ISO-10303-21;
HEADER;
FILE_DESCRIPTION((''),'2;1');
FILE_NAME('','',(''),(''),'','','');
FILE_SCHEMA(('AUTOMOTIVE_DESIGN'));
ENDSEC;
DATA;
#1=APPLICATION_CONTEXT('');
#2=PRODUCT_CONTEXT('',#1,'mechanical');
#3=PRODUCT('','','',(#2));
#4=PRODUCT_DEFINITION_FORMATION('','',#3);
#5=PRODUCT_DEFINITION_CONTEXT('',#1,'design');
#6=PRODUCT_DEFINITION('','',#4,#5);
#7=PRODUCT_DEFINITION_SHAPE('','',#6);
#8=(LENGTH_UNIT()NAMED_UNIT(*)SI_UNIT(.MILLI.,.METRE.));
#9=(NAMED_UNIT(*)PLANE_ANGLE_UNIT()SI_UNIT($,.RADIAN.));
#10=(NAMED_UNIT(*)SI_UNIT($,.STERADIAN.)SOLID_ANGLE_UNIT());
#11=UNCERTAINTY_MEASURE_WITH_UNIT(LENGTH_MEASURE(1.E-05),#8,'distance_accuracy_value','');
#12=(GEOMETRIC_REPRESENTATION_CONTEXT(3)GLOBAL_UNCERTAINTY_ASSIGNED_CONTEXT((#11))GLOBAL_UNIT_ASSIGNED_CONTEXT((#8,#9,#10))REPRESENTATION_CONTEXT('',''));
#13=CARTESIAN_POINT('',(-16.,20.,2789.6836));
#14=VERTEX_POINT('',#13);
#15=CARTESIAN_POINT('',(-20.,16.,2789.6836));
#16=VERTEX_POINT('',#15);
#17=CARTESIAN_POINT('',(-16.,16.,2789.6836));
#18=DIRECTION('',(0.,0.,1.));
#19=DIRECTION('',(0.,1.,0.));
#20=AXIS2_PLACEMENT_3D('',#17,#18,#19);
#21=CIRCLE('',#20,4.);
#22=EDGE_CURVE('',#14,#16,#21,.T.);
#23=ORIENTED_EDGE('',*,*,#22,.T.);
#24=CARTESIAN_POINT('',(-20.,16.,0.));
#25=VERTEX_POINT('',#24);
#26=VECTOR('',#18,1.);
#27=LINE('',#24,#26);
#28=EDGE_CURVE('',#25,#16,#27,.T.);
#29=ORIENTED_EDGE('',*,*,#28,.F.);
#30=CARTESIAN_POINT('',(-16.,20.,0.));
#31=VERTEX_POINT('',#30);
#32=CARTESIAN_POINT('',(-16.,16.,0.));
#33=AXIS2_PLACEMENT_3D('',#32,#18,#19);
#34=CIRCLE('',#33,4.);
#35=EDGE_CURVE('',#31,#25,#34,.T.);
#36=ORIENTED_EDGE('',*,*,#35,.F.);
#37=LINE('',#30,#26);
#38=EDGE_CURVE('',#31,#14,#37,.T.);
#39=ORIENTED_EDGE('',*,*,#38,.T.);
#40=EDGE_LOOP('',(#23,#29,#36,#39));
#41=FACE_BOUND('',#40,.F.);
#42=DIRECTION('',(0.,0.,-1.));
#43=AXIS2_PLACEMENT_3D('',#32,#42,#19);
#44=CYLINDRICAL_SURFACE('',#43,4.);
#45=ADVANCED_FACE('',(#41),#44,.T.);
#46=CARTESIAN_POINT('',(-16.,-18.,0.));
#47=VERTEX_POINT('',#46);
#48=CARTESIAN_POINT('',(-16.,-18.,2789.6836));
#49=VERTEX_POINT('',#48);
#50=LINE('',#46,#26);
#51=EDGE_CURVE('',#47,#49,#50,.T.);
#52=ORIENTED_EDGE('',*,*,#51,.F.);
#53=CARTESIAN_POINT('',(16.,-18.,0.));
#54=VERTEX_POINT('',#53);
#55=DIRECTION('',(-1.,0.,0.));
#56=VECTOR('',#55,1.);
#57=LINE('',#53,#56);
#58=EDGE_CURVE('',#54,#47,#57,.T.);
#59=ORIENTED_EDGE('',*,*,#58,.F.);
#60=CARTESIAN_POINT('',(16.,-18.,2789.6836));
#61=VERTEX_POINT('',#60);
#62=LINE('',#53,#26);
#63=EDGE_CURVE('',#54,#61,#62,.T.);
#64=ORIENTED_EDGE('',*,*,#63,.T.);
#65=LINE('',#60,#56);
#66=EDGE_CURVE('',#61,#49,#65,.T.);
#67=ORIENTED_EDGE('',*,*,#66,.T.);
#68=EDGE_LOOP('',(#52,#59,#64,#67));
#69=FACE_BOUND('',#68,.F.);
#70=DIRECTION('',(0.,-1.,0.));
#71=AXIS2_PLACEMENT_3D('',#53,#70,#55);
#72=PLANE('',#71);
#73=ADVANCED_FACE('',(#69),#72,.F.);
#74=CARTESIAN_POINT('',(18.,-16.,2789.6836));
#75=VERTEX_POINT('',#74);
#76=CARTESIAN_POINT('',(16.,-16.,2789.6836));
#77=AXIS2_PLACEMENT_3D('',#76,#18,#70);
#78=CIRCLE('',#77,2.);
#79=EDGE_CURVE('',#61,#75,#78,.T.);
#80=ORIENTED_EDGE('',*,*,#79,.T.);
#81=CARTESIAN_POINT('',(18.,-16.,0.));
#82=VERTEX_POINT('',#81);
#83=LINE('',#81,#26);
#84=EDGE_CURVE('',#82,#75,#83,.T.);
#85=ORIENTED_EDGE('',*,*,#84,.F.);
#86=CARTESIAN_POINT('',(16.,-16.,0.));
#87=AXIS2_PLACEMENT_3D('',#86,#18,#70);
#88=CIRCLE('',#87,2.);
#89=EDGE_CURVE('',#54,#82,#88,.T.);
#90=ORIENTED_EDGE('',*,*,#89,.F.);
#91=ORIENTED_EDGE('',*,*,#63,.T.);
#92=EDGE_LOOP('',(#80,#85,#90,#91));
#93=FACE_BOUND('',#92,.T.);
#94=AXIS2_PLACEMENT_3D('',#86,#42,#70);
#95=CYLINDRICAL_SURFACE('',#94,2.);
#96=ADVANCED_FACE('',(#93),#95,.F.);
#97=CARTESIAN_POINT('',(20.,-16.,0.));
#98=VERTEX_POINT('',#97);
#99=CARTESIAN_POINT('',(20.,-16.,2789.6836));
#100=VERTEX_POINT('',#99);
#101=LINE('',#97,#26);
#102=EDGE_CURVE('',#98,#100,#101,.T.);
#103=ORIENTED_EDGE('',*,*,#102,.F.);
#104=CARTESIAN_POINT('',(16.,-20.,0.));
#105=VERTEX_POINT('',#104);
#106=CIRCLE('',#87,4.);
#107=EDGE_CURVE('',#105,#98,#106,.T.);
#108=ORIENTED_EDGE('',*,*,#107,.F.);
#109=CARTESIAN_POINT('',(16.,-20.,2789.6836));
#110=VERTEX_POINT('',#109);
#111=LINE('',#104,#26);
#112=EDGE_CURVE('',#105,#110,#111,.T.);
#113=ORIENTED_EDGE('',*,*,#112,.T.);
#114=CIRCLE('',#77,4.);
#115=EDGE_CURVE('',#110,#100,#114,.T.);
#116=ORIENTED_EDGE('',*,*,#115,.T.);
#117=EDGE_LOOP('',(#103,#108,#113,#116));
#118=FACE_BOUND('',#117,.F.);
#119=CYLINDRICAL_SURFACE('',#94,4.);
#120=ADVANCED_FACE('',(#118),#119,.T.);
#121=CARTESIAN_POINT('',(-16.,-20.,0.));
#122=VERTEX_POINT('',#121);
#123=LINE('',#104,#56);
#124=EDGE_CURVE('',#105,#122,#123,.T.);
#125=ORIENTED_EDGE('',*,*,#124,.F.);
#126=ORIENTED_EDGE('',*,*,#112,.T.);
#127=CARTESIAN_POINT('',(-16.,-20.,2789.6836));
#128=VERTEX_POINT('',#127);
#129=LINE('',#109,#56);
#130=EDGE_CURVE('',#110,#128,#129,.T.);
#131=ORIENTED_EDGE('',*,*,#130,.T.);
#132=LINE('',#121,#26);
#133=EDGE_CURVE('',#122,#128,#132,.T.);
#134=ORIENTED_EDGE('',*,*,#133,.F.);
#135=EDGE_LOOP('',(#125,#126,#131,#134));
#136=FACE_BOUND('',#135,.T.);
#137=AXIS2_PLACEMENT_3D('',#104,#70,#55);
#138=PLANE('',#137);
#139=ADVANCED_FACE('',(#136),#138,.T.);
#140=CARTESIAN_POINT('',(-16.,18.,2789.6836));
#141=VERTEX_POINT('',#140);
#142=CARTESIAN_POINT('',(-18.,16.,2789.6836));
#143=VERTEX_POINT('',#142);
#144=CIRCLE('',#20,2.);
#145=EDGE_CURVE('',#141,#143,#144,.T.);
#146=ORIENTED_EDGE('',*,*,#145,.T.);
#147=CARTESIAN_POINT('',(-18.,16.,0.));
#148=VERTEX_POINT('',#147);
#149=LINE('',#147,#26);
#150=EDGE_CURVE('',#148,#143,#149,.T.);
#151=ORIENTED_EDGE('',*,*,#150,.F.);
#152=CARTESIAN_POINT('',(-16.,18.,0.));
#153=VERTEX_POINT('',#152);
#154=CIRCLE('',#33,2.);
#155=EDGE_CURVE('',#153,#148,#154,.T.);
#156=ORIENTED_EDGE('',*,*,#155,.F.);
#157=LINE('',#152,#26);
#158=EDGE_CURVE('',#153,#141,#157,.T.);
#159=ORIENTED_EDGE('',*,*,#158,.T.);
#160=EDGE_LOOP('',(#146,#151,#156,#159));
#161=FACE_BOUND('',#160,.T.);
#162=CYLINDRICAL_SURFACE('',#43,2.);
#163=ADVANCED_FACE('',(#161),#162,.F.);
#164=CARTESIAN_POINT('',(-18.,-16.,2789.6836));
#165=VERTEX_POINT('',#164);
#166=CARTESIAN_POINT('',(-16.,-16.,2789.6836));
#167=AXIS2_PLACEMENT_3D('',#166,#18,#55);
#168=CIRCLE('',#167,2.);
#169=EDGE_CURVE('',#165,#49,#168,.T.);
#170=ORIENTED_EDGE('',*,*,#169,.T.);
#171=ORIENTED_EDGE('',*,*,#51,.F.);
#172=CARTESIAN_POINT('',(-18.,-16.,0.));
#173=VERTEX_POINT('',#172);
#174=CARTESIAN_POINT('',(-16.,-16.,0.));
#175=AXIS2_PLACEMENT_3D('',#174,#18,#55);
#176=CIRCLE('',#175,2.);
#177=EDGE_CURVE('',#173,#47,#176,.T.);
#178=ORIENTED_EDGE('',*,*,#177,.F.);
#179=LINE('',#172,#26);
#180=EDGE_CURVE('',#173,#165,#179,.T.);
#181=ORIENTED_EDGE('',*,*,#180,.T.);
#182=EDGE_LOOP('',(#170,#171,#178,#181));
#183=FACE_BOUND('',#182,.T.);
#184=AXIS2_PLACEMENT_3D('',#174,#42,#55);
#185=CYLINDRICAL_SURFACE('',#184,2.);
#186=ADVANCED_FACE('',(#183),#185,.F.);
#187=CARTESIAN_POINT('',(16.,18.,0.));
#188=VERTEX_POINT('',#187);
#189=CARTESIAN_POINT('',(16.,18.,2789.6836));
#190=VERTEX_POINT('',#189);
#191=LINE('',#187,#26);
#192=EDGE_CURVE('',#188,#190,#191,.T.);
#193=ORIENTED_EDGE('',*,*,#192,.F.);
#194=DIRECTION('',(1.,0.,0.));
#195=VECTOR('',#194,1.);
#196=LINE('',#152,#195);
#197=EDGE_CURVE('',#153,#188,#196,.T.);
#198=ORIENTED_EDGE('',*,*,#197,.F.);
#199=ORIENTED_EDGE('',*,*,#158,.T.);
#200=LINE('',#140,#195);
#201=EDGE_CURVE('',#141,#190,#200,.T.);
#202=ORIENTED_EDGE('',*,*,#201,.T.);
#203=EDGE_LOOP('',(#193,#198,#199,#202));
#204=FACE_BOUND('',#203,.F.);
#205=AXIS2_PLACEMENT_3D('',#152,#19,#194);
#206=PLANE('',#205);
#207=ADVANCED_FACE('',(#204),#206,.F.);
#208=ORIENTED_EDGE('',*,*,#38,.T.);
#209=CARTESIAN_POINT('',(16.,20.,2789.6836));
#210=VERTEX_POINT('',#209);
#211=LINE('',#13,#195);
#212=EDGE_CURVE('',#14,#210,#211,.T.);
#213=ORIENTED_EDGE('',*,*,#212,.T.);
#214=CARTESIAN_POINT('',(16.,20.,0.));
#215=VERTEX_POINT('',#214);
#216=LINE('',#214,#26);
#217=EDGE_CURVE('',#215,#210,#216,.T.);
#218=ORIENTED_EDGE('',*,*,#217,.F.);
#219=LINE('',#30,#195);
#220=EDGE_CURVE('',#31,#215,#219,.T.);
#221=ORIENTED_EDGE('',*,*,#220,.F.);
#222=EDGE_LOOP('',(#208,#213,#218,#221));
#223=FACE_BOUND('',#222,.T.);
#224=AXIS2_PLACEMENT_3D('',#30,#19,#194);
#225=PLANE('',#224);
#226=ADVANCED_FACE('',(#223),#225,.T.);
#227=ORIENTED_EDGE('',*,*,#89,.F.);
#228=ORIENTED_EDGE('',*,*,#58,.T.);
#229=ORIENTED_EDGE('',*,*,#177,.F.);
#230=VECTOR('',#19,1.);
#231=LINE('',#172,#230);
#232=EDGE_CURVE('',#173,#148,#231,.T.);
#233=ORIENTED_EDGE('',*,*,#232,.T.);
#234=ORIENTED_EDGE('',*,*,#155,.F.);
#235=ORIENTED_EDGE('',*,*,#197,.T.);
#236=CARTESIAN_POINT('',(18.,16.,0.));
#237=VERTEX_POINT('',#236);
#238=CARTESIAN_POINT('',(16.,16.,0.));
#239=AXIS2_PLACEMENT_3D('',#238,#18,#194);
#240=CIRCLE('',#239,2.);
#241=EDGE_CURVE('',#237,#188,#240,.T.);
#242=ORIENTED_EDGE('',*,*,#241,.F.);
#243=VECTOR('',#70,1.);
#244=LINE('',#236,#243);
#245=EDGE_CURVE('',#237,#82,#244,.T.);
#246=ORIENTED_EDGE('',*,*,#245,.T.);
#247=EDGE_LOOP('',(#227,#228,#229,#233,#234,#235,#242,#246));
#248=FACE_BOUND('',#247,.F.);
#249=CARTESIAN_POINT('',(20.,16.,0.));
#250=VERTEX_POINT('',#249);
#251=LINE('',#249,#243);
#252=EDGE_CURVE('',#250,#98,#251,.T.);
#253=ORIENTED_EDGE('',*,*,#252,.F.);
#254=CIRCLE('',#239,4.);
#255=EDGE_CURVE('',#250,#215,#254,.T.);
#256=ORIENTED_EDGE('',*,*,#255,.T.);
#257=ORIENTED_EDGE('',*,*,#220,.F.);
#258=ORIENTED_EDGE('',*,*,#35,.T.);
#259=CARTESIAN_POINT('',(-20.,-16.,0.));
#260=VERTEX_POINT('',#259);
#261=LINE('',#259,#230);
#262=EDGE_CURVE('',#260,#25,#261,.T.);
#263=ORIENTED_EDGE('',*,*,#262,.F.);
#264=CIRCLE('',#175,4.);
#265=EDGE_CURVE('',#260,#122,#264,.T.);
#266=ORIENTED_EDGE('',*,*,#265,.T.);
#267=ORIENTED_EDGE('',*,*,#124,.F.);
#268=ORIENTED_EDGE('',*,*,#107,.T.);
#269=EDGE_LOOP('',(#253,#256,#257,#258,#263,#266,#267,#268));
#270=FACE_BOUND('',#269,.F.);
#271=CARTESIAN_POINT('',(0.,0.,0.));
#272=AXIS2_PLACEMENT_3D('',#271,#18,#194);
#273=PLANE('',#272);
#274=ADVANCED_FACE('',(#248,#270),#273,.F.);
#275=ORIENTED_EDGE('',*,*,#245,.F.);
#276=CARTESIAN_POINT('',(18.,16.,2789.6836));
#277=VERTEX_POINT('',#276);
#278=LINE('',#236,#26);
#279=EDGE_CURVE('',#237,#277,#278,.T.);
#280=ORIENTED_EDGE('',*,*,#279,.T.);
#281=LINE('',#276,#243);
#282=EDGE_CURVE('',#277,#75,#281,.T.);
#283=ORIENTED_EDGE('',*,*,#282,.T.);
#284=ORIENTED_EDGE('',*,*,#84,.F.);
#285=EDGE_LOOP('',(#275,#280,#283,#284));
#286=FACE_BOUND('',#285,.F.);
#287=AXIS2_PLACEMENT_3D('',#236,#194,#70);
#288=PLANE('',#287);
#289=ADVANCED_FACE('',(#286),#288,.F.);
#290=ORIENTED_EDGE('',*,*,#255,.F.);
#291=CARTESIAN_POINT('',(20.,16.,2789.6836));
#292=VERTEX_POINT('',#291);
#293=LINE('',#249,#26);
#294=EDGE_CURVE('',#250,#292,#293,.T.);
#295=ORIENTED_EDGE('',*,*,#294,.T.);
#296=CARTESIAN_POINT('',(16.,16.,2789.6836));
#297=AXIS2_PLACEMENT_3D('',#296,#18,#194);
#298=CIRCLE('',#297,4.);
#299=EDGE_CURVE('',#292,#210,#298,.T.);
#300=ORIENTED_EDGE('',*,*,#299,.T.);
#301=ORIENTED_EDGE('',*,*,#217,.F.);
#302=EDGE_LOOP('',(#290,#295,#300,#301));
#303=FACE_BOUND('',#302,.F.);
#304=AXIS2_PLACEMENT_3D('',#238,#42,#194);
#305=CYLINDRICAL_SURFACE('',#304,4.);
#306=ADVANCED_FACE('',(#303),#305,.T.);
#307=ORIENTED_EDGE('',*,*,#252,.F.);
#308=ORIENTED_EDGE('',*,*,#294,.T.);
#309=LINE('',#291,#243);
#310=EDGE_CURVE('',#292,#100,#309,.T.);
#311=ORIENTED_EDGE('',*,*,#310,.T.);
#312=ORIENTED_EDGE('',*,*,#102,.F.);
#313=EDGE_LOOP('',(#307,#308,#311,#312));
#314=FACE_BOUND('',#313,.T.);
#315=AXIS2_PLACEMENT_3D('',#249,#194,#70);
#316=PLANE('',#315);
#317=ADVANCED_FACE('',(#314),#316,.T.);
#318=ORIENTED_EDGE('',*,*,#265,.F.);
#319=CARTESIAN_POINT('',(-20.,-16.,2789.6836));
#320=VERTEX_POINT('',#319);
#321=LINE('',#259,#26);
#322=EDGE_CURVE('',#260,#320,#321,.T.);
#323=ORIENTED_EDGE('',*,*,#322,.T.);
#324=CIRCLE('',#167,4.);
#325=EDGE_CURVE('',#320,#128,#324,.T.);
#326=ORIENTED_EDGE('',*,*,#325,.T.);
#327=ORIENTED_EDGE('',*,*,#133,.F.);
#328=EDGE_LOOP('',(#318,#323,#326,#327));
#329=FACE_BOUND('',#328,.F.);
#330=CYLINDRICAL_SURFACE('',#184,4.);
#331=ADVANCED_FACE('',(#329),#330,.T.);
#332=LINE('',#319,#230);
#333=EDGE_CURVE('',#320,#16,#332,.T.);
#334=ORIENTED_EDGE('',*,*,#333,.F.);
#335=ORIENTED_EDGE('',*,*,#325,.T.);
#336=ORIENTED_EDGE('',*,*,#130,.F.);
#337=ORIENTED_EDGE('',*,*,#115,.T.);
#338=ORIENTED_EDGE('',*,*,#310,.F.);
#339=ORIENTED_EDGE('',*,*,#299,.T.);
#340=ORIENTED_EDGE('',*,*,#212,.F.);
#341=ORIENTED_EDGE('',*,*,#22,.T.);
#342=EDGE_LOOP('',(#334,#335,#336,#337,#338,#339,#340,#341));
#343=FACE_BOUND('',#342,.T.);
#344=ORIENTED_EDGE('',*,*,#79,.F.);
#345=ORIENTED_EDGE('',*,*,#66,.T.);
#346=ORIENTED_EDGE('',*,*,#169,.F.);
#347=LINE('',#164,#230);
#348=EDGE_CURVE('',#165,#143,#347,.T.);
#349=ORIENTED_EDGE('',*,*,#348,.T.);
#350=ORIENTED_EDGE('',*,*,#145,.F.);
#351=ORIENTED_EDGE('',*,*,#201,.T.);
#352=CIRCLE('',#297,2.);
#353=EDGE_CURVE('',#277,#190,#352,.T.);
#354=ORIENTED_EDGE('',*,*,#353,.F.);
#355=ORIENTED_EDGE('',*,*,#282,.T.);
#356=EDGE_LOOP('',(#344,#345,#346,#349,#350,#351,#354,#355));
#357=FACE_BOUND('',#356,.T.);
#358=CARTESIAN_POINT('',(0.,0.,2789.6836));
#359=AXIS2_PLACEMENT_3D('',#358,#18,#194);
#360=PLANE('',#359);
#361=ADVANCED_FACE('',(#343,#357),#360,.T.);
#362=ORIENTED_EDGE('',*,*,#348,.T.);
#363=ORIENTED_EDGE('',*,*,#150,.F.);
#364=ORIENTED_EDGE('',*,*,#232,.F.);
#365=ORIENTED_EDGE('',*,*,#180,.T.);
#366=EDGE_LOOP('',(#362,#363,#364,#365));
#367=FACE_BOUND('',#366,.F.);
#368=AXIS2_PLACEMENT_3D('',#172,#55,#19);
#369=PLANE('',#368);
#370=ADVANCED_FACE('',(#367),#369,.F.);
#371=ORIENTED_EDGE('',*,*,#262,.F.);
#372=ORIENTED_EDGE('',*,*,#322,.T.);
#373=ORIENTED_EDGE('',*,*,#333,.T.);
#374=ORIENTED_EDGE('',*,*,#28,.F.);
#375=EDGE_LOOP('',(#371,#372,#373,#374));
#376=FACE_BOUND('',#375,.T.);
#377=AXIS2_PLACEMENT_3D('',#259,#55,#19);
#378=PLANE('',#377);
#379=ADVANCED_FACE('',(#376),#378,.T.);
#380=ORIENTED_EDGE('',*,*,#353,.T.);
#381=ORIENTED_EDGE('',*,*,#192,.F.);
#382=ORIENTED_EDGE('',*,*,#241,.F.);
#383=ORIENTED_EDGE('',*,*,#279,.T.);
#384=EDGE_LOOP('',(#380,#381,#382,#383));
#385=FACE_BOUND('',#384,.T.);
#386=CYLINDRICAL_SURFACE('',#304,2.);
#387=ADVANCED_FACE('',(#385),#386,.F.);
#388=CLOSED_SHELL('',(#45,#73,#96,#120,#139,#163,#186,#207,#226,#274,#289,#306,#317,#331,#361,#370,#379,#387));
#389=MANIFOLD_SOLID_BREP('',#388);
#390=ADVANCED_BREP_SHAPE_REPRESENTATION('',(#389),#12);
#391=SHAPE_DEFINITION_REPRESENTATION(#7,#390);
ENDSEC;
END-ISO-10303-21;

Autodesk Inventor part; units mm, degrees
ref_plane "YZ Plane" through (0, 0, 0) normal (1, 0, 0) x (0, 1, 0)
ref_plane "Start plane" through (0, 0, 0) normal (0, 0, 1) x (1, 0, 0)
ref_plane "End plane" through (0, 0, 2789.6836) normal (0, 0, 1) x (1, 0, 0)
sketch "Sketch" plane through (0, 0, 0) normal (0, 0, 1) x (1, 0, 0)
  line L0 (-20, -16) -> (-20, 16)
  line L1 (-16, 20) -> (16, 20)
  line L2 (20, 16) -> (20, -16)
  line L3 (16, -20) -> (-16, -20)
  arc A0 (-20, -16) -> (-16, -20) centre (-16, -16) ccw
  arc A1 (20, 16) -> (16, 20) centre (16, 16) ccw
  arc A2 (-16, 20) -> (-20, 16) centre (-16, 16) ccw
  arc A3 (16, -20) -> (20, -16) centre (16, -16) ccw
  arc A4 (-16, 18) -> (-18, 16) centre (-16, 16) ccw
  line L4 (-16, 18) -> (16, 18)
  arc A5 (18, 16) -> (16, 18) centre (16, 16) ccw
  line L5 (18, 16) -> (18, -16)
  arc A6 (16, -18) -> (18, -16) centre (16, -16) ccw
  line L6 (16, -18) -> (-16, -18)
  arc A7 (-18, -16) -> (-16, -18) centre (-16, -16) ccw
  line L7 (-18, -16) -> (-18, 16)
  line L8 (0, 36.7397) -> (0, -36.7397) construction
  line L9 (-36.7397, 0) -> (36.7397, 0) construction
  dimension "d7" = 4
  dimension "d9" = 40
  dimension "d11" = 40
  dimension "d12" = 2
  dimension "d15" = 20
  dimension "d16" = 20
extrude "Body" add sketch "Sketch" along normal up to surface (2789.6836 mm away) from surface at 0
sketch "Sketch3" plane through (0, 0, 0) normal (0, 0, 1) x (1, 0, 0)
  line L0 (0, 0) -> (10, 0)
ref_plane "Work Plane3" through (0, 0, 0) normal (0, -1, 0) x (1, 0, 0)
sketch "Sketch4" plane through (0, 0, 0) normal (0, -1, 0) x (1, 0, 0)
  line L0 (-2, 0) -> (12, 0) projected
  line L1 (-2, 2789.6836) -> (12, 2789.6836) projected
  dimension "d18" = 2789.6836
equation "\"d7\" = G_IR"
equation "\"d9\" = G_W"
equation "\"d11\" = G_H"
equation "\"d12\" = G_T"
equation "\"d15\" = 0.5 * d9"
equation "\"d16\" = 0.5 * d11"
equation "\"d3\" = G_L"
equation "\"G_W\" = 40"
equation "\"G_H\" = 40"
equation "\"G_T\" = 2"
equation "\"G_IR\" = 4"
equation "\"G_L\" = d18"
equation "\"G_OFFSET_START\" = 0"
equation "\"G_OFFSET_END\" = 0"
equation "\"d14\" = G_OFFSET_END + B_L"
equation "\"B_L\" = 2789.68358"
properties part number "ISO 10799-2 - 40x40x2 - 2789,68" material "Steel, Mild"
